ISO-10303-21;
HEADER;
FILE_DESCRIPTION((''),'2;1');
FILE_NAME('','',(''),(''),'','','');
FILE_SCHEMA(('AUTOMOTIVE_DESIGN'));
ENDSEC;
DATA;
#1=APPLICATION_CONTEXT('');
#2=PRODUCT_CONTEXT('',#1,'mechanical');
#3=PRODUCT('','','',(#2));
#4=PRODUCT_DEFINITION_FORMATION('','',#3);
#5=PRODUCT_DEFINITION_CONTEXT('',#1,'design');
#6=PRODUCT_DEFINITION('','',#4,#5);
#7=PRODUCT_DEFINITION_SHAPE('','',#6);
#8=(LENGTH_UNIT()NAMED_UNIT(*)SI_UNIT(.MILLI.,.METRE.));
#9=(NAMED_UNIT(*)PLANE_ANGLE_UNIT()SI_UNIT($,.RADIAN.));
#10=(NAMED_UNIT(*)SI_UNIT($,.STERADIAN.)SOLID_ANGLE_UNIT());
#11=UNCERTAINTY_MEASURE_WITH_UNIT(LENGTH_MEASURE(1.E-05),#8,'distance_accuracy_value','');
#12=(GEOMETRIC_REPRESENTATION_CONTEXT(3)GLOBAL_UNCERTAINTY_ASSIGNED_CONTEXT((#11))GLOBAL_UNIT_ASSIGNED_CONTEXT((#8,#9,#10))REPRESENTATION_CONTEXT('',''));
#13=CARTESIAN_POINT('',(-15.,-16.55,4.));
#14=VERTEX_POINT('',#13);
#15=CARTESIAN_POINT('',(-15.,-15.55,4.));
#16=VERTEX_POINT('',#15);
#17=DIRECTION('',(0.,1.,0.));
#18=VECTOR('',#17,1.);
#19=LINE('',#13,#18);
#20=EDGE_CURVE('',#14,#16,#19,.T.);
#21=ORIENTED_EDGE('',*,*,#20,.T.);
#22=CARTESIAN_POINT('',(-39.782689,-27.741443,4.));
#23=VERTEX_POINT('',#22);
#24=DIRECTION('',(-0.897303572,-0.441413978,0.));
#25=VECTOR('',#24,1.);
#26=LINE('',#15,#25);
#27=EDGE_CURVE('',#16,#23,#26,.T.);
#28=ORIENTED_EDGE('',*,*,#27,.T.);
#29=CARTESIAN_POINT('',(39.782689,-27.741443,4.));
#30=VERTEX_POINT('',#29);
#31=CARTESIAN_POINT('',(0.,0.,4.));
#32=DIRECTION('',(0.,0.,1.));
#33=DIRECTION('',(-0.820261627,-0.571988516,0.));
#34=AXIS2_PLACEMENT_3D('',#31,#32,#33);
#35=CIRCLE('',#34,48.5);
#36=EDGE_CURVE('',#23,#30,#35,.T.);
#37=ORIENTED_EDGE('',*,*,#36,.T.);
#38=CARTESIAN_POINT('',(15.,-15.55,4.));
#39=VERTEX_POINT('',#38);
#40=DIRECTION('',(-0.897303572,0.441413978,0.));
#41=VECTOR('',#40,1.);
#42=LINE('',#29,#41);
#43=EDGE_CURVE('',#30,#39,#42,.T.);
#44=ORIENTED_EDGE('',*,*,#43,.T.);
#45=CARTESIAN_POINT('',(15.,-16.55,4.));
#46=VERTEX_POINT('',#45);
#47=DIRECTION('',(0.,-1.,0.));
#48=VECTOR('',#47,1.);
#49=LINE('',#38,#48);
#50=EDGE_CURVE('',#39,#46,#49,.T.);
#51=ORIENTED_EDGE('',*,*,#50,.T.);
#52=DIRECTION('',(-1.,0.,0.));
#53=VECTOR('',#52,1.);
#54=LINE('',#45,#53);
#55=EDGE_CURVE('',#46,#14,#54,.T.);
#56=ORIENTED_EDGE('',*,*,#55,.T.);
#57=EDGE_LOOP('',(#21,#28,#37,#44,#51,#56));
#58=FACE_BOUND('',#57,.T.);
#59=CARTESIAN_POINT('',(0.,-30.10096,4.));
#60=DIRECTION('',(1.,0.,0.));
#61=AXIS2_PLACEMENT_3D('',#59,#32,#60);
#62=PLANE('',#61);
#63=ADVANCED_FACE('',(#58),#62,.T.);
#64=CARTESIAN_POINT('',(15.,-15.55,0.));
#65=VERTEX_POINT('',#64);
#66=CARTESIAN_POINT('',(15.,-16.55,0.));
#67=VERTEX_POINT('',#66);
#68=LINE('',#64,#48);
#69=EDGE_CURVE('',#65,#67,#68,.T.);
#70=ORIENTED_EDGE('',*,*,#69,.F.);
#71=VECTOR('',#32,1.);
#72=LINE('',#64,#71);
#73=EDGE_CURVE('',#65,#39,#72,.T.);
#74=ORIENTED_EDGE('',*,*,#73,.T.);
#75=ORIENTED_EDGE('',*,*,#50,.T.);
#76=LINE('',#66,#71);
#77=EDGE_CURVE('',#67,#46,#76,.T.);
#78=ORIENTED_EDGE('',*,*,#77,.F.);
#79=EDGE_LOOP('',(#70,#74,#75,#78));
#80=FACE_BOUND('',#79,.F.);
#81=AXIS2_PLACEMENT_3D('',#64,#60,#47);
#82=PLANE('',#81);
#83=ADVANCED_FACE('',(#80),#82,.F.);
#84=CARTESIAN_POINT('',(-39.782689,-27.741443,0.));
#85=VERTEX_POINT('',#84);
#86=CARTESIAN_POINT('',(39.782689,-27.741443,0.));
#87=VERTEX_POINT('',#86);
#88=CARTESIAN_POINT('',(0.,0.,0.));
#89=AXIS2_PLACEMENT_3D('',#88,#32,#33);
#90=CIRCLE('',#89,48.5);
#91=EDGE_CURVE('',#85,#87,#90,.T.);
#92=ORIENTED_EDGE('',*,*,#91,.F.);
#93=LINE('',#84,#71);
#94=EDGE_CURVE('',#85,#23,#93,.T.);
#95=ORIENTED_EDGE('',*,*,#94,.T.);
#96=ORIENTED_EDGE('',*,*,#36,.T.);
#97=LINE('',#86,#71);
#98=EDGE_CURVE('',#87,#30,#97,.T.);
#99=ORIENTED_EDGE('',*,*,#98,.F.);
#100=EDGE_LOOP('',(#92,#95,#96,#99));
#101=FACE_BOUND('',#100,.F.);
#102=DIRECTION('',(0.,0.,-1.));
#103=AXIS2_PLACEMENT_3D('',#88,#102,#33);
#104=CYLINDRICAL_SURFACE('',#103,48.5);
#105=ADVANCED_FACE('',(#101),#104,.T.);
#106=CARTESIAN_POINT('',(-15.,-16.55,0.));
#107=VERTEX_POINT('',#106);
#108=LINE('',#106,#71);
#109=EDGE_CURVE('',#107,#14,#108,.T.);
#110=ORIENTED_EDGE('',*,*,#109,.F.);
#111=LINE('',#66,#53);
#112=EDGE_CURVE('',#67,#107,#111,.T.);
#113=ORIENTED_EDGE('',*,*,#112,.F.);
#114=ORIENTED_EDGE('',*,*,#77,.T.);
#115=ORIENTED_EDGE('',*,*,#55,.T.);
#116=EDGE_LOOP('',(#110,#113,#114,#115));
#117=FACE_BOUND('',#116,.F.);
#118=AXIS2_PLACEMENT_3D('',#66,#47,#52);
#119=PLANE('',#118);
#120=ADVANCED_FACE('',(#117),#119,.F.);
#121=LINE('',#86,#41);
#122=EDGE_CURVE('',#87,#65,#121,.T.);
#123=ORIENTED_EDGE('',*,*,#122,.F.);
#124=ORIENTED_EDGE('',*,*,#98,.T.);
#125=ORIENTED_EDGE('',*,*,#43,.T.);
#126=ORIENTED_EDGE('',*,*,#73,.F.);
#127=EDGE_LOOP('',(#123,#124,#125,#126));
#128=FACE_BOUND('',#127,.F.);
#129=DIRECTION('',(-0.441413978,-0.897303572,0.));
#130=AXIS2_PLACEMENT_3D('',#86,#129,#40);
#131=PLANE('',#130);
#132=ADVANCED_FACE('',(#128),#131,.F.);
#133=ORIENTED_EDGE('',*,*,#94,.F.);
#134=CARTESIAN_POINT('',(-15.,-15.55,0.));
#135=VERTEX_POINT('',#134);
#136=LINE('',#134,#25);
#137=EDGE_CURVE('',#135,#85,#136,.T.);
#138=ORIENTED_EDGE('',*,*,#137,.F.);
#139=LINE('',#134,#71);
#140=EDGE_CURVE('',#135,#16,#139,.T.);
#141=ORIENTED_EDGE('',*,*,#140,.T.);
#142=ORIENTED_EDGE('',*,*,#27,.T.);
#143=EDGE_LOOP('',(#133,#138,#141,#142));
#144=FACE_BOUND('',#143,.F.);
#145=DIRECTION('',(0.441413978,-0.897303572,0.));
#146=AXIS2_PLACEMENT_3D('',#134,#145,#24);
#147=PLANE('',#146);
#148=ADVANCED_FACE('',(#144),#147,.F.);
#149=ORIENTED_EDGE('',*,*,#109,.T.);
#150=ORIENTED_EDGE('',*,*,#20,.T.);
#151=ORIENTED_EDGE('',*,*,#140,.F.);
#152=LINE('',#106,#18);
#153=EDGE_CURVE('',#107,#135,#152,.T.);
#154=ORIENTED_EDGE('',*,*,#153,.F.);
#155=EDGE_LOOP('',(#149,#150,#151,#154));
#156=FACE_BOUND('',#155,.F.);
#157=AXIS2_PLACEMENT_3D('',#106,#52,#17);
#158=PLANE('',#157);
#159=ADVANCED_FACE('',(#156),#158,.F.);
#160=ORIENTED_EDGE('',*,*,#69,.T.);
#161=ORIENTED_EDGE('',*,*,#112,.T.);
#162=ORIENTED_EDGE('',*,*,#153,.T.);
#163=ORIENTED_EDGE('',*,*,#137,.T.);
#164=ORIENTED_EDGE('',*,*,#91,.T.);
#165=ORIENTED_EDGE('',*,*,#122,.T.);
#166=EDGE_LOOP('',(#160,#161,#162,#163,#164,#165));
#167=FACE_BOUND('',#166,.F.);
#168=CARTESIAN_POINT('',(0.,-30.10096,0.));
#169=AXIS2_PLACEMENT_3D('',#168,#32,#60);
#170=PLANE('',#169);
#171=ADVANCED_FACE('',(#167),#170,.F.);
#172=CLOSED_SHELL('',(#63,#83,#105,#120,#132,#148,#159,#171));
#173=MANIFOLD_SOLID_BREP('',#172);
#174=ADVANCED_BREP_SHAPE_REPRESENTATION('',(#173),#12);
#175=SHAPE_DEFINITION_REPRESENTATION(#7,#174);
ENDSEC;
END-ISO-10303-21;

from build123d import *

# Parameters (mm, degrees)
F1_DEPTH = 4


with BuildPart() as f1:
    # F0 (on Top) → F1 (new body)
    with BuildSketch(Plane.XY):
        with BuildLine():
            Line((-15, -15.55), (-39.782689, -27.741443))
            ThreePointArc((-39.782689, -27.741443), (0, -48.5), (39.782689, -27.741443))
            Line((39.782689, -27.741443), (15, -15.55))
            Line((15, -15.55), (15, -16.55))
            Line((15, -16.55), (-15, -16.55))
            Line((-15, -16.55), (-15, -15.55))
        make_face()
    extrude(amount=F1_DEPTH)


solid = f1.part
